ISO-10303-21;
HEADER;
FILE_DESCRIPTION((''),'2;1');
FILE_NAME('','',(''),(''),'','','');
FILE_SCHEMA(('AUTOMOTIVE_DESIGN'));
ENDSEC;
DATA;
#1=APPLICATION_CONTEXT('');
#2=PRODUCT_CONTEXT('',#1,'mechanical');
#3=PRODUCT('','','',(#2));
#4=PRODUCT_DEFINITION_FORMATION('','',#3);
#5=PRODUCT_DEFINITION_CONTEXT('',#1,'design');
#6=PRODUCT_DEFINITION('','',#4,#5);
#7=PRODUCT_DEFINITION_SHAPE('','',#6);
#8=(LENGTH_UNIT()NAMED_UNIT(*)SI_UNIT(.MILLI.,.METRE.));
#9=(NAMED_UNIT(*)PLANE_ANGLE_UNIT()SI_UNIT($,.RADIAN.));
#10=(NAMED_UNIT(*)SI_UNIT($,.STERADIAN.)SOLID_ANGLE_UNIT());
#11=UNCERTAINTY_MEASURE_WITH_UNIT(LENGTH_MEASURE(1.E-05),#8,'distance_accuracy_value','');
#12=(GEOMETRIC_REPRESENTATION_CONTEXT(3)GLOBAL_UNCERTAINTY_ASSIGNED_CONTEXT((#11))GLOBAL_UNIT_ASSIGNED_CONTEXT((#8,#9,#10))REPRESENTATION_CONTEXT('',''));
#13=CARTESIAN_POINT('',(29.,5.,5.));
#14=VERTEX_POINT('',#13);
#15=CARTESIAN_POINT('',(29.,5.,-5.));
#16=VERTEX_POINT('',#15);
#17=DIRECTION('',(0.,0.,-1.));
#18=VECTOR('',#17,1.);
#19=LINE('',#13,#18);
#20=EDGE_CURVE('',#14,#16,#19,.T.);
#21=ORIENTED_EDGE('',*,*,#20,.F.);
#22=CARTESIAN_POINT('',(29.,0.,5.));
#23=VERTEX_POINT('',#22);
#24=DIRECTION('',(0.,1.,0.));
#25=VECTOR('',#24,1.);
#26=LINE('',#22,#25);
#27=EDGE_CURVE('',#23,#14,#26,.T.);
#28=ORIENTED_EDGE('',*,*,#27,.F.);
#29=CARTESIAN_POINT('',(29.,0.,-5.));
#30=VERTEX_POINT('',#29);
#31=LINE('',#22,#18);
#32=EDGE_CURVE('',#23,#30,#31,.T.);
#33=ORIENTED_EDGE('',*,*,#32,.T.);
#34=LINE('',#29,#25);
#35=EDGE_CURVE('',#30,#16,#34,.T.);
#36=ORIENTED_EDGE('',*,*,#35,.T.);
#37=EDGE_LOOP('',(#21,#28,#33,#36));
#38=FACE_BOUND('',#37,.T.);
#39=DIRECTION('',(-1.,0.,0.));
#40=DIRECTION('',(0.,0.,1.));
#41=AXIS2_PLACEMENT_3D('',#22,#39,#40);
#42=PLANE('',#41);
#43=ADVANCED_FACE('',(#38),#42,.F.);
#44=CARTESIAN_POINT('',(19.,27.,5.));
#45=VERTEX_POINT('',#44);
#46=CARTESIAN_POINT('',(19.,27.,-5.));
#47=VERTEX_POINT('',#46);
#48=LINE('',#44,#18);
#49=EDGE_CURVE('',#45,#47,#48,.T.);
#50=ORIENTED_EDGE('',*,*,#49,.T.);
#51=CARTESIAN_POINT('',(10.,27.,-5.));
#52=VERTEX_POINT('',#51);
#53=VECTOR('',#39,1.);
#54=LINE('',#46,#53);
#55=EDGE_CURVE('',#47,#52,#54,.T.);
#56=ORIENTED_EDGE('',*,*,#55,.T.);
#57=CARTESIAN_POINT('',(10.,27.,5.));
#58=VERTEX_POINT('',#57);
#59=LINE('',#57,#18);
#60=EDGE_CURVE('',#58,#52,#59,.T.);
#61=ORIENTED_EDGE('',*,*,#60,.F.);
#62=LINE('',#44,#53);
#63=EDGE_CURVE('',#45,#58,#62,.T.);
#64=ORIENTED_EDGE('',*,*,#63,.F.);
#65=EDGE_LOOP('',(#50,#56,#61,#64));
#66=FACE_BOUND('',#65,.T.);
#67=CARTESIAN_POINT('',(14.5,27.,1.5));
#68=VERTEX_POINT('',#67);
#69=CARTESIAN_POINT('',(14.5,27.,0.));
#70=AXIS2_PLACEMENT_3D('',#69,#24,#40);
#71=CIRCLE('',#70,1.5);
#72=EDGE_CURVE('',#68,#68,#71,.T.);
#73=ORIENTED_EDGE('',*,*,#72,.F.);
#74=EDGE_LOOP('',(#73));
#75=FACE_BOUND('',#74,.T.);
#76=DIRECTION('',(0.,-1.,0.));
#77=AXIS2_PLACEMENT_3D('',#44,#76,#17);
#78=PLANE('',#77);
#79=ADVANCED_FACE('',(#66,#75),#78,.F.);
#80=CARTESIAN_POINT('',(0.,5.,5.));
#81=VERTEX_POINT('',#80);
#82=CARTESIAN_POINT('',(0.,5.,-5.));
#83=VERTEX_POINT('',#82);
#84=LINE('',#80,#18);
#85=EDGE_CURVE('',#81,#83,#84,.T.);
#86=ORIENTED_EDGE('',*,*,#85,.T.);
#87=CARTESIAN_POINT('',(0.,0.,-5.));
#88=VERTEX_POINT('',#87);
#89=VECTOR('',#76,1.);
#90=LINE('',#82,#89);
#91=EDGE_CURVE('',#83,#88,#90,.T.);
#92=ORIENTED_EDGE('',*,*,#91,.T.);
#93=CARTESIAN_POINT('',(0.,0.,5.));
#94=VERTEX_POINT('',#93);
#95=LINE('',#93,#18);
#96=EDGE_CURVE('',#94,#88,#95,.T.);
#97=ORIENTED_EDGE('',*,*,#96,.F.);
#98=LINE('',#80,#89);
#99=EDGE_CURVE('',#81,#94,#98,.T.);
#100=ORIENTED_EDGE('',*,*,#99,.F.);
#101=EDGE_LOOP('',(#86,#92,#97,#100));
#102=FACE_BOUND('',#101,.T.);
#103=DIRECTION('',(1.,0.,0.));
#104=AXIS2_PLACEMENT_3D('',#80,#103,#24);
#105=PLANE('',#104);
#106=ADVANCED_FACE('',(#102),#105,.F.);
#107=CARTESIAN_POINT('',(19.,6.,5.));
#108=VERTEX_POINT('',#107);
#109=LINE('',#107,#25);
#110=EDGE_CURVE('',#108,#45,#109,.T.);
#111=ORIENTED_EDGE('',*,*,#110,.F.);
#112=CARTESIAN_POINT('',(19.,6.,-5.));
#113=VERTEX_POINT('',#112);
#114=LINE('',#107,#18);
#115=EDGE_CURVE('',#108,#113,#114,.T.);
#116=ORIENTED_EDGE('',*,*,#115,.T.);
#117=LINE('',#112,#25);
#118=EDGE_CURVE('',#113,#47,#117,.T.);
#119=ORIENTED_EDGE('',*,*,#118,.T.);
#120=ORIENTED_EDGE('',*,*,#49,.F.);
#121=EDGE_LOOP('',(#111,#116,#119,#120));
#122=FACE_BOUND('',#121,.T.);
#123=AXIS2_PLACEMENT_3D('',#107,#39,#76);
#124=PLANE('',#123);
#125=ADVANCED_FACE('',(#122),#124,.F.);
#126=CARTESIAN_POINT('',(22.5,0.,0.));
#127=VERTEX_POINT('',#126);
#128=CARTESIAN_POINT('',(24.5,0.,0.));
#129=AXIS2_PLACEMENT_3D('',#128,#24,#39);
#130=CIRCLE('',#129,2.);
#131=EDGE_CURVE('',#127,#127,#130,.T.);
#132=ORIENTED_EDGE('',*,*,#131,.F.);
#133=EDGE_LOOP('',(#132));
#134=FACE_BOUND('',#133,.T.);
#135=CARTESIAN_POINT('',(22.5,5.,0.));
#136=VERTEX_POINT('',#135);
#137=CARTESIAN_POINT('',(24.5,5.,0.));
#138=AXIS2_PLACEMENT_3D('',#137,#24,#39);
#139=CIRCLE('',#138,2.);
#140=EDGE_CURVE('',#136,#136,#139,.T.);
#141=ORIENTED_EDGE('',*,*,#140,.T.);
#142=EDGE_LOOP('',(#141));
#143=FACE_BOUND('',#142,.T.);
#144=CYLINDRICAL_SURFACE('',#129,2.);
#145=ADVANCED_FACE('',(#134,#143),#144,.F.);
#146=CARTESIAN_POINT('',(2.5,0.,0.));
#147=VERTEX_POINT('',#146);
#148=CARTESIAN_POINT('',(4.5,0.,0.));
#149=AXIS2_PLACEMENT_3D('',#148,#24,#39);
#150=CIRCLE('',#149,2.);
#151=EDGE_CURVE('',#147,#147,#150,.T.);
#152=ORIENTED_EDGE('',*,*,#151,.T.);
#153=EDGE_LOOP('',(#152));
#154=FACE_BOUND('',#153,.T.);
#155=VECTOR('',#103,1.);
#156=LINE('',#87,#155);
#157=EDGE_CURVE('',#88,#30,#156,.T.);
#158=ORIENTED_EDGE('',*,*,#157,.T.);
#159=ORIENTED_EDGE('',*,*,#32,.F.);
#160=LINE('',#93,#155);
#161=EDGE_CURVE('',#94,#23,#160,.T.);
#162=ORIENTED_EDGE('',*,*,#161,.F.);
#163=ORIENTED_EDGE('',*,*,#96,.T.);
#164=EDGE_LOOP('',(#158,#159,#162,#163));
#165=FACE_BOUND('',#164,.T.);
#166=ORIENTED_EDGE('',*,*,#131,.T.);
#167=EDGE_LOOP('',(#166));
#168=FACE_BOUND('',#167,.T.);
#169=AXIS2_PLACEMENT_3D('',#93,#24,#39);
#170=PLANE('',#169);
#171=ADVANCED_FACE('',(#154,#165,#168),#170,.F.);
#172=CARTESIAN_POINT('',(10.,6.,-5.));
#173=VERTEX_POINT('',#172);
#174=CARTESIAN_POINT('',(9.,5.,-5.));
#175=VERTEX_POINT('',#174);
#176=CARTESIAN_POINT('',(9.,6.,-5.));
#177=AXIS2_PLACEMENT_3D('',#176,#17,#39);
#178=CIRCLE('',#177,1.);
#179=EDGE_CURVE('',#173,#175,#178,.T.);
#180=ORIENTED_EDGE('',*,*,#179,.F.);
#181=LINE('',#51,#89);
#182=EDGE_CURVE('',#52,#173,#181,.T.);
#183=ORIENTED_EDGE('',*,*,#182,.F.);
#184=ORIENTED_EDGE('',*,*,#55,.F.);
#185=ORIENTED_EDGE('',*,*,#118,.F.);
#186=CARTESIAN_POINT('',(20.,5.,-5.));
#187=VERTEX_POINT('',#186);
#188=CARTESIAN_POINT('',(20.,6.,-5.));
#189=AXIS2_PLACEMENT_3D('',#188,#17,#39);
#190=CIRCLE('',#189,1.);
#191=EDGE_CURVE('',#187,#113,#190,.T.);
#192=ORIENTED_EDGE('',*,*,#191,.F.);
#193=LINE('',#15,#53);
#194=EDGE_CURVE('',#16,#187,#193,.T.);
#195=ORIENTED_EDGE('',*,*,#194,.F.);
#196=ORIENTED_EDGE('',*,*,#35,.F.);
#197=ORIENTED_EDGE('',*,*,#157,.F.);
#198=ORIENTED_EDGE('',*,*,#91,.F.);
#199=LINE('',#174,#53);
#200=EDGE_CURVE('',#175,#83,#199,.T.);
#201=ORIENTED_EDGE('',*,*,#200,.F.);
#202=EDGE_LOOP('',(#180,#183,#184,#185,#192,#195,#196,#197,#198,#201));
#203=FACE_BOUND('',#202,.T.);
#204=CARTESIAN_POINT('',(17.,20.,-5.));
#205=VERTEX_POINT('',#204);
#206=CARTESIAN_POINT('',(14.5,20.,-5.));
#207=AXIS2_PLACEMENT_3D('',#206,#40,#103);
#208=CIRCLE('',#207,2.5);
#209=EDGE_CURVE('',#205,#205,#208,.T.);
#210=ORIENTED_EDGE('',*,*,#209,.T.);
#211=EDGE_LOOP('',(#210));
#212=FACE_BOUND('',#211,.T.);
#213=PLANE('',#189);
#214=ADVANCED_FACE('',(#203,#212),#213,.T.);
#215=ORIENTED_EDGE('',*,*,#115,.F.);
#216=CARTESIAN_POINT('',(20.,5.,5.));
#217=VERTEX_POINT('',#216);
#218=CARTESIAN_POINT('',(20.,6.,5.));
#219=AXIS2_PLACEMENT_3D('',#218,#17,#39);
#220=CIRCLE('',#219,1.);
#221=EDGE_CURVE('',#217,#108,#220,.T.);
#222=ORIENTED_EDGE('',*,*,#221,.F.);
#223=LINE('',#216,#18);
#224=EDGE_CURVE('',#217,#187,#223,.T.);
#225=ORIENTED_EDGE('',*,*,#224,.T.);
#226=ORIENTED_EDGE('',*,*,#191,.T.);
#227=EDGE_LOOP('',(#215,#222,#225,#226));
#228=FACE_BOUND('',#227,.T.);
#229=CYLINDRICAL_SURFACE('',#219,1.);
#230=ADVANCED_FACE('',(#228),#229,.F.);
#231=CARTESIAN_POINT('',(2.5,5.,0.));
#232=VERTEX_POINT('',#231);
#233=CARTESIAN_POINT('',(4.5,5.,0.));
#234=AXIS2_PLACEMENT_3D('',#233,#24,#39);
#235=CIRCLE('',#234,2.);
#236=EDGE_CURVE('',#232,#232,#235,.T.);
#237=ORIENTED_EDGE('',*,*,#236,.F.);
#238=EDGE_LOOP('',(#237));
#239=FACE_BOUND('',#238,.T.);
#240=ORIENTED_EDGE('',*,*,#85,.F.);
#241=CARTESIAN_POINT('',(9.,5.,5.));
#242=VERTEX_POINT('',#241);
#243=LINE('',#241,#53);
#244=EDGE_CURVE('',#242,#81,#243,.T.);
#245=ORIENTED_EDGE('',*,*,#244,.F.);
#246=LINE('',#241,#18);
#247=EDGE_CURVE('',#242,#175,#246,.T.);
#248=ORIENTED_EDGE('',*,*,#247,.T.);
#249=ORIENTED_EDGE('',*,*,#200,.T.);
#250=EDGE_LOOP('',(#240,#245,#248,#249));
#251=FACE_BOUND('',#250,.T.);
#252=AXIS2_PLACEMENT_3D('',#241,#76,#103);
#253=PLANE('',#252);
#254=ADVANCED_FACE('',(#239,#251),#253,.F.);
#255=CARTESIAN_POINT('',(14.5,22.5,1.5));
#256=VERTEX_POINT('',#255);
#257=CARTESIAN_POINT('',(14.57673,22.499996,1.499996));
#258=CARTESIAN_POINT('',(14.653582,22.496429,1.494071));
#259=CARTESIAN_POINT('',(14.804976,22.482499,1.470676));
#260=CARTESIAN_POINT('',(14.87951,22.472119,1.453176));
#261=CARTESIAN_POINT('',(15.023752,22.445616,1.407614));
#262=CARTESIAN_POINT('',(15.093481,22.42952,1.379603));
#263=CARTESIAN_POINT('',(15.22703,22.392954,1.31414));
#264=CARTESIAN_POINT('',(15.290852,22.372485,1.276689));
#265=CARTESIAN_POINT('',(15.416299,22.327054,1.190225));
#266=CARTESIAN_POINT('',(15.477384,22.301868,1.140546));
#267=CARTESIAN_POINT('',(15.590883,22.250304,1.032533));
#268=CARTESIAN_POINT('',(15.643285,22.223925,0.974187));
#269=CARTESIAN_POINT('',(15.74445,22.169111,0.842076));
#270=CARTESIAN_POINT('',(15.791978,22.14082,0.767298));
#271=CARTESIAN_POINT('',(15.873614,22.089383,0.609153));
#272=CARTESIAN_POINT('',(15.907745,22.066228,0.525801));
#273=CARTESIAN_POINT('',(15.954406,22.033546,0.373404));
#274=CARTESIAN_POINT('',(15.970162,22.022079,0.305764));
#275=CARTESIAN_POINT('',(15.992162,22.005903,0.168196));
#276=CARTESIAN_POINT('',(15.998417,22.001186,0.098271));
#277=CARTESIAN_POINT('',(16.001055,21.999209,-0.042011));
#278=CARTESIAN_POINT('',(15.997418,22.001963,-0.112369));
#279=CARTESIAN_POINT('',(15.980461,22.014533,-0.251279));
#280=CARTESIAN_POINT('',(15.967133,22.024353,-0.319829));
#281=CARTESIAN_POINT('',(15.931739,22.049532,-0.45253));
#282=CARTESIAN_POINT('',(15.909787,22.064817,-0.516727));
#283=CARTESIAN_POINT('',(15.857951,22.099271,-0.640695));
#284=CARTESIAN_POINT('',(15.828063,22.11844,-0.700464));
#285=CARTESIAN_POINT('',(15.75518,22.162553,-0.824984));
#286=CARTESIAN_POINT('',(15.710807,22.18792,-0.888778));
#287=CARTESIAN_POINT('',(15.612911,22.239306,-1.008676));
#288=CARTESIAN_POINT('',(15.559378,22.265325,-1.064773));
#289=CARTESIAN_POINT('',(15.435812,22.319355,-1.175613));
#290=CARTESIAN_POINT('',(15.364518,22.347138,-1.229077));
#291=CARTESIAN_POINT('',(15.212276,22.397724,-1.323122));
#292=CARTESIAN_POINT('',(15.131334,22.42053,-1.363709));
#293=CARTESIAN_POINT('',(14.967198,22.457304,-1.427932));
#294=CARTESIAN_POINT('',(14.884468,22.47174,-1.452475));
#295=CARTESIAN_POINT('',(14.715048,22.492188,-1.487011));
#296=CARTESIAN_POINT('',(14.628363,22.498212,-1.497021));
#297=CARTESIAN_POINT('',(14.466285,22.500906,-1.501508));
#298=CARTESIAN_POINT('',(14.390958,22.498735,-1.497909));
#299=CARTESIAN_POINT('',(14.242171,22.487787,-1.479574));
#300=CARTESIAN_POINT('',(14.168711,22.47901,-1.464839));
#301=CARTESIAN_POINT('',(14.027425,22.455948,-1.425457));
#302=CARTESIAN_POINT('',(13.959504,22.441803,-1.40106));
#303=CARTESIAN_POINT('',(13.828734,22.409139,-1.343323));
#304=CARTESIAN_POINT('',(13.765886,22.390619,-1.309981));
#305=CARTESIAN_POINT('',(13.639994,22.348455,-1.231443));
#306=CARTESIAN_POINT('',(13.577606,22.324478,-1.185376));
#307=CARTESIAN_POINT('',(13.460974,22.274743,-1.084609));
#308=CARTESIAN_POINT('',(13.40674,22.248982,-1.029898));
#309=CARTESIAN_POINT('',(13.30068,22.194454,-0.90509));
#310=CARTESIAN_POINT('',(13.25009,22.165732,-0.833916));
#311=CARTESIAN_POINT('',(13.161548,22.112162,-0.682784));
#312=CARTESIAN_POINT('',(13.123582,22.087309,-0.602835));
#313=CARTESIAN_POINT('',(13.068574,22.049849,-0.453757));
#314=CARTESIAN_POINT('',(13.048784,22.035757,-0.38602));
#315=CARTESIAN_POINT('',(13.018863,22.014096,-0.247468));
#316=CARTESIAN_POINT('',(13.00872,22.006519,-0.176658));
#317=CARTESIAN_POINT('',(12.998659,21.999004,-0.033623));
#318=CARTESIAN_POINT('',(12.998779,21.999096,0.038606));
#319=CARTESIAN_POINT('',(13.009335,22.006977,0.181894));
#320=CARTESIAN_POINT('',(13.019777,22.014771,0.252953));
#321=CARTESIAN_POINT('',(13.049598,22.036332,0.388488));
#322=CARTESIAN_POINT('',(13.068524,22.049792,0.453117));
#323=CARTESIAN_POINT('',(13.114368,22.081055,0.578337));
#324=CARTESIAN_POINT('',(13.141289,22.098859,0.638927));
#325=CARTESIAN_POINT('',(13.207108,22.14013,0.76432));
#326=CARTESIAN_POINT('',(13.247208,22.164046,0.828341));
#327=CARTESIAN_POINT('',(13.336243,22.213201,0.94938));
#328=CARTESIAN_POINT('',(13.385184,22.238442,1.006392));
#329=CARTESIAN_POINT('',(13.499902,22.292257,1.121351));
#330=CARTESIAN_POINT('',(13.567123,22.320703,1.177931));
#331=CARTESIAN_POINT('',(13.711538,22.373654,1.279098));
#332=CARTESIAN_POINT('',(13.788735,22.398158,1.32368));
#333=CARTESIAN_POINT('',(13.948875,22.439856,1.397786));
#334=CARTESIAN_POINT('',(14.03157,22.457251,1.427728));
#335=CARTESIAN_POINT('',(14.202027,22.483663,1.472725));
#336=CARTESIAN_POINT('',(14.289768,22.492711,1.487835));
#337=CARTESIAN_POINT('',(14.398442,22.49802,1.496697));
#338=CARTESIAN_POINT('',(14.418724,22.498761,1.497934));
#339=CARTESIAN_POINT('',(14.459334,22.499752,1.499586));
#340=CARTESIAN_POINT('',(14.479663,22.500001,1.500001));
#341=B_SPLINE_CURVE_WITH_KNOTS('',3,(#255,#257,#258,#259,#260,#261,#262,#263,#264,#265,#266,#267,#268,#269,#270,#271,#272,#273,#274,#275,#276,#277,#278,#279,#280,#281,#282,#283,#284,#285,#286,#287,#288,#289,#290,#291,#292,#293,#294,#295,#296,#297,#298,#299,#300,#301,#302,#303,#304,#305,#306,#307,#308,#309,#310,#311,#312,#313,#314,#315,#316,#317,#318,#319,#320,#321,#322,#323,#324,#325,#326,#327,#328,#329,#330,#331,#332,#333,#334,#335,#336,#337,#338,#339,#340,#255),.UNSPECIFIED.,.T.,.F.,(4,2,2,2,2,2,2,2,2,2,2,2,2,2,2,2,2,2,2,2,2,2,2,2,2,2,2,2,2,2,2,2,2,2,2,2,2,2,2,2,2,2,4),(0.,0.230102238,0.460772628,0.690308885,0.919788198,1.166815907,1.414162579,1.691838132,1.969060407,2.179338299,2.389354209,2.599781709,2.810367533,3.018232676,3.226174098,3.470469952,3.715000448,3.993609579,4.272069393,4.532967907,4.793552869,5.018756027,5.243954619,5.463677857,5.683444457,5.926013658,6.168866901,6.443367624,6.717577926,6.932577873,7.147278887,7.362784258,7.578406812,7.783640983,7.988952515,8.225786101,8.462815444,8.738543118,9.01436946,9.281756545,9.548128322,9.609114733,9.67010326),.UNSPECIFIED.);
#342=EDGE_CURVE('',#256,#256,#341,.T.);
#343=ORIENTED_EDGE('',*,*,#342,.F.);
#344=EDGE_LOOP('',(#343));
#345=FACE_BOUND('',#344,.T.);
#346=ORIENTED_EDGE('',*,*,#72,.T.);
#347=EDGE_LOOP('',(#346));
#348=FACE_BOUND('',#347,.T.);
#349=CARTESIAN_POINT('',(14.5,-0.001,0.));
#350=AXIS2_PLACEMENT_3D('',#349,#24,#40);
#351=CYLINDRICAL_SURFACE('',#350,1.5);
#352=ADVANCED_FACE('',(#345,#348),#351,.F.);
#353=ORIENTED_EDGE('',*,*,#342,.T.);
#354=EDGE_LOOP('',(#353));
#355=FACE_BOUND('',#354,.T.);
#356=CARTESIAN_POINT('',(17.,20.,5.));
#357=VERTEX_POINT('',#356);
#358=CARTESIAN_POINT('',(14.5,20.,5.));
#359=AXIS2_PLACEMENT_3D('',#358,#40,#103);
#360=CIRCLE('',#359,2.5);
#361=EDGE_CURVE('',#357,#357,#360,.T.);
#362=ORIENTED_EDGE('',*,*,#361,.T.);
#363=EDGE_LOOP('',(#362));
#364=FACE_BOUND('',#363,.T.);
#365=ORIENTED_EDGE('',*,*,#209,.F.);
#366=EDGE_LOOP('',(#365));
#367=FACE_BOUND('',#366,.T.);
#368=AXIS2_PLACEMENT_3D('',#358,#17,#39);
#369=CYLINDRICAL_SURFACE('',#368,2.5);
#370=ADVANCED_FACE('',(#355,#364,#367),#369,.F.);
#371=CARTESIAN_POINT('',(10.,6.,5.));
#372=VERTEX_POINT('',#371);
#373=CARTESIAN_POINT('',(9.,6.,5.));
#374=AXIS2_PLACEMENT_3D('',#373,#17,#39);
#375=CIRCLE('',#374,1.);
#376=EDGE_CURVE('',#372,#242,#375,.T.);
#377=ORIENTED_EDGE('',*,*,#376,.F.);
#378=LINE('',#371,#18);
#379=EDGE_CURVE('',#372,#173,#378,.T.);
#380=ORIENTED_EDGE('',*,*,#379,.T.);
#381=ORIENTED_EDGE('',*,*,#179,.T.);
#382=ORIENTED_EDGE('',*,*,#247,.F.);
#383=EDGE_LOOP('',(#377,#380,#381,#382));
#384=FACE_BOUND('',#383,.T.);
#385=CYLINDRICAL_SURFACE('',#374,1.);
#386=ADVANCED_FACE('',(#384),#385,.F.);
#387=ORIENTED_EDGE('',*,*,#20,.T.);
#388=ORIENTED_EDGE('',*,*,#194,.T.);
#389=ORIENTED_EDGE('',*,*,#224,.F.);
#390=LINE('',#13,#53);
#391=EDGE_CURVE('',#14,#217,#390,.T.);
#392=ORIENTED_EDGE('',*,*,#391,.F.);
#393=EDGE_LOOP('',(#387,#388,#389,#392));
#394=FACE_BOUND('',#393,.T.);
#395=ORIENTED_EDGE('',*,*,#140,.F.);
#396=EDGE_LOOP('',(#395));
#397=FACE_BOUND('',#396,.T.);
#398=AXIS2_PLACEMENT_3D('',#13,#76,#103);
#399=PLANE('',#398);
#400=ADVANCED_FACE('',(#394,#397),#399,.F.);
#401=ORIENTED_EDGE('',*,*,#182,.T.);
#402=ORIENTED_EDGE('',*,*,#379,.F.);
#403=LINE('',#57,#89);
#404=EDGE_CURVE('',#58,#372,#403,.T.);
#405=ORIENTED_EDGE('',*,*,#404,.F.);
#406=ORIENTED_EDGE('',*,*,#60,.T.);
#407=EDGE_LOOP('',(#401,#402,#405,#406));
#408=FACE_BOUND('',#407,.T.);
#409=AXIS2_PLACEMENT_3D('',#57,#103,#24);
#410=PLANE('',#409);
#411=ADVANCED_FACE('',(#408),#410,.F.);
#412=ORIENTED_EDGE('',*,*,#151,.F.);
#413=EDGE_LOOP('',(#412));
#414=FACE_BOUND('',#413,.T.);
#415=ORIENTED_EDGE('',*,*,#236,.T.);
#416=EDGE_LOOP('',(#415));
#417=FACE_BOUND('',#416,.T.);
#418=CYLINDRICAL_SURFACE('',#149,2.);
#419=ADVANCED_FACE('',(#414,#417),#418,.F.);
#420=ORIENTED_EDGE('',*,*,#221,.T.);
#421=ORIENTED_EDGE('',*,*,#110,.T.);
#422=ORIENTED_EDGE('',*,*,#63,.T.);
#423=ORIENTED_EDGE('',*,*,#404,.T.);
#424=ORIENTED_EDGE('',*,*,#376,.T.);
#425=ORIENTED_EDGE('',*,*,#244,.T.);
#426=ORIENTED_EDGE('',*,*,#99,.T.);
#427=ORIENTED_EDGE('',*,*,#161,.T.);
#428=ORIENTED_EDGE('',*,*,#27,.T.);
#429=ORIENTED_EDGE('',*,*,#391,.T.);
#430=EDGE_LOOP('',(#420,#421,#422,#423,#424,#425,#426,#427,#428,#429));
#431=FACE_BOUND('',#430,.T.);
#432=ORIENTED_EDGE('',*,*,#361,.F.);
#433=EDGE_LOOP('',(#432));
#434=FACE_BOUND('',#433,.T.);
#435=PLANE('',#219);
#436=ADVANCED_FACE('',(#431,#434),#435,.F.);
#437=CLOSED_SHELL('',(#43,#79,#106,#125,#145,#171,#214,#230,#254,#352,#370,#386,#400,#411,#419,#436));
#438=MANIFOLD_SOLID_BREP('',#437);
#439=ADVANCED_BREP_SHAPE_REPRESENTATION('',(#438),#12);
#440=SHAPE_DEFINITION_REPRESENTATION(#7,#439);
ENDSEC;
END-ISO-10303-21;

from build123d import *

# Parameters (mm, degrees)
SKETCH1_R               = 2.5
BOSS_EXTRUDE1_DEPTH     = 5
CUT_EXTRUDE1_REACH      = 41.937
CUT_EXTRUDE1_END_RADIUS = 2.5
SKETCH2_R               = 1.5
SKETCH3_R               = 2
CUT_EXTRUDE2_DEPTH      = 37.742346215


with BuildPart() as part:
    # Sketch1 → Boss-Extrude1 (new, symmetric)
    with BuildSketch(Plane.XY):
        with BuildLine():
            Line((0, 0), (29, 0))
            Line((29, 0), (29, 5))
            Line((29, 5), (20, 5))
            ThreePointArc((20, 5), (19.292893219, 5.292893219), (19, 6))
            Line((19, 6), (19, 27))
            Line((19, 27), (10, 27))
            Line((10, 27), (10, 6))
            ThreePointArc((10, 6), (9.707106781, 5.292893219), (9, 5))
            Line((9, 5), (0, 5))
            Line((0, 5), (0, 0))
        make_face()
        with Locations((14.5, 20)):
            Circle(SKETCH1_R, mode=Mode.SUBTRACT)
    extrude(amount=BOSS_EXTRUDE1_DEPTH, both=True)

    # Cut-Extrude1: up to this cylinder (the profile starts outside it)
    cut_extrude1_end = Plane(origin=(14.5, 20, 0), z_dir=(0, 0, -1)) * Cylinder(CUT_EXTRUDE1_END_RADIUS, 89.874, mode=Mode.PRIVATE)
    # Sketch2 → Cut-Extrude1 (cut, up to the surface)
    with BuildSketch(Plane(origin=(0, 27, 0), x_dir=(1, 0, 0), z_dir=(0, 1, 0)), mode=Mode.PRIVATE) as cut_extrude1_sk1:
        with Locations(Location((14.5, 0, 0), (0, 0, 270))):
            Circle(SKETCH2_R)
    cut_extrude1_tool1 = extrude(cut_extrude1_sk1.sketch, amount=-CUT_EXTRUDE1_REACH, mode=Mode.PRIVATE) - cut_extrude1_end
    add(cut_extrude1_tool1.solids().sort_by_distance((14.5, 27, 0))[0], mode=Mode.SUBTRACT)

    # Sketch3 → Cut-Extrude2 (cut, through all)
    with BuildSketch(Plane(origin=(0, 5, 0), x_dir=(1, 0, 0), z_dir=(0, 1, 0))):
        with Locations(Location((4.5, 0, 0), (0, 0, 180))):
            Circle(SKETCH3_R)
        with Locations(Location((24.5, 0, 0), (0, 0, 180))):
            Circle(SKETCH3_R)
    extrude(amount=-CUT_EXTRUDE2_DEPTH, mode=Mode.SUBTRACT)


solid = part.part
